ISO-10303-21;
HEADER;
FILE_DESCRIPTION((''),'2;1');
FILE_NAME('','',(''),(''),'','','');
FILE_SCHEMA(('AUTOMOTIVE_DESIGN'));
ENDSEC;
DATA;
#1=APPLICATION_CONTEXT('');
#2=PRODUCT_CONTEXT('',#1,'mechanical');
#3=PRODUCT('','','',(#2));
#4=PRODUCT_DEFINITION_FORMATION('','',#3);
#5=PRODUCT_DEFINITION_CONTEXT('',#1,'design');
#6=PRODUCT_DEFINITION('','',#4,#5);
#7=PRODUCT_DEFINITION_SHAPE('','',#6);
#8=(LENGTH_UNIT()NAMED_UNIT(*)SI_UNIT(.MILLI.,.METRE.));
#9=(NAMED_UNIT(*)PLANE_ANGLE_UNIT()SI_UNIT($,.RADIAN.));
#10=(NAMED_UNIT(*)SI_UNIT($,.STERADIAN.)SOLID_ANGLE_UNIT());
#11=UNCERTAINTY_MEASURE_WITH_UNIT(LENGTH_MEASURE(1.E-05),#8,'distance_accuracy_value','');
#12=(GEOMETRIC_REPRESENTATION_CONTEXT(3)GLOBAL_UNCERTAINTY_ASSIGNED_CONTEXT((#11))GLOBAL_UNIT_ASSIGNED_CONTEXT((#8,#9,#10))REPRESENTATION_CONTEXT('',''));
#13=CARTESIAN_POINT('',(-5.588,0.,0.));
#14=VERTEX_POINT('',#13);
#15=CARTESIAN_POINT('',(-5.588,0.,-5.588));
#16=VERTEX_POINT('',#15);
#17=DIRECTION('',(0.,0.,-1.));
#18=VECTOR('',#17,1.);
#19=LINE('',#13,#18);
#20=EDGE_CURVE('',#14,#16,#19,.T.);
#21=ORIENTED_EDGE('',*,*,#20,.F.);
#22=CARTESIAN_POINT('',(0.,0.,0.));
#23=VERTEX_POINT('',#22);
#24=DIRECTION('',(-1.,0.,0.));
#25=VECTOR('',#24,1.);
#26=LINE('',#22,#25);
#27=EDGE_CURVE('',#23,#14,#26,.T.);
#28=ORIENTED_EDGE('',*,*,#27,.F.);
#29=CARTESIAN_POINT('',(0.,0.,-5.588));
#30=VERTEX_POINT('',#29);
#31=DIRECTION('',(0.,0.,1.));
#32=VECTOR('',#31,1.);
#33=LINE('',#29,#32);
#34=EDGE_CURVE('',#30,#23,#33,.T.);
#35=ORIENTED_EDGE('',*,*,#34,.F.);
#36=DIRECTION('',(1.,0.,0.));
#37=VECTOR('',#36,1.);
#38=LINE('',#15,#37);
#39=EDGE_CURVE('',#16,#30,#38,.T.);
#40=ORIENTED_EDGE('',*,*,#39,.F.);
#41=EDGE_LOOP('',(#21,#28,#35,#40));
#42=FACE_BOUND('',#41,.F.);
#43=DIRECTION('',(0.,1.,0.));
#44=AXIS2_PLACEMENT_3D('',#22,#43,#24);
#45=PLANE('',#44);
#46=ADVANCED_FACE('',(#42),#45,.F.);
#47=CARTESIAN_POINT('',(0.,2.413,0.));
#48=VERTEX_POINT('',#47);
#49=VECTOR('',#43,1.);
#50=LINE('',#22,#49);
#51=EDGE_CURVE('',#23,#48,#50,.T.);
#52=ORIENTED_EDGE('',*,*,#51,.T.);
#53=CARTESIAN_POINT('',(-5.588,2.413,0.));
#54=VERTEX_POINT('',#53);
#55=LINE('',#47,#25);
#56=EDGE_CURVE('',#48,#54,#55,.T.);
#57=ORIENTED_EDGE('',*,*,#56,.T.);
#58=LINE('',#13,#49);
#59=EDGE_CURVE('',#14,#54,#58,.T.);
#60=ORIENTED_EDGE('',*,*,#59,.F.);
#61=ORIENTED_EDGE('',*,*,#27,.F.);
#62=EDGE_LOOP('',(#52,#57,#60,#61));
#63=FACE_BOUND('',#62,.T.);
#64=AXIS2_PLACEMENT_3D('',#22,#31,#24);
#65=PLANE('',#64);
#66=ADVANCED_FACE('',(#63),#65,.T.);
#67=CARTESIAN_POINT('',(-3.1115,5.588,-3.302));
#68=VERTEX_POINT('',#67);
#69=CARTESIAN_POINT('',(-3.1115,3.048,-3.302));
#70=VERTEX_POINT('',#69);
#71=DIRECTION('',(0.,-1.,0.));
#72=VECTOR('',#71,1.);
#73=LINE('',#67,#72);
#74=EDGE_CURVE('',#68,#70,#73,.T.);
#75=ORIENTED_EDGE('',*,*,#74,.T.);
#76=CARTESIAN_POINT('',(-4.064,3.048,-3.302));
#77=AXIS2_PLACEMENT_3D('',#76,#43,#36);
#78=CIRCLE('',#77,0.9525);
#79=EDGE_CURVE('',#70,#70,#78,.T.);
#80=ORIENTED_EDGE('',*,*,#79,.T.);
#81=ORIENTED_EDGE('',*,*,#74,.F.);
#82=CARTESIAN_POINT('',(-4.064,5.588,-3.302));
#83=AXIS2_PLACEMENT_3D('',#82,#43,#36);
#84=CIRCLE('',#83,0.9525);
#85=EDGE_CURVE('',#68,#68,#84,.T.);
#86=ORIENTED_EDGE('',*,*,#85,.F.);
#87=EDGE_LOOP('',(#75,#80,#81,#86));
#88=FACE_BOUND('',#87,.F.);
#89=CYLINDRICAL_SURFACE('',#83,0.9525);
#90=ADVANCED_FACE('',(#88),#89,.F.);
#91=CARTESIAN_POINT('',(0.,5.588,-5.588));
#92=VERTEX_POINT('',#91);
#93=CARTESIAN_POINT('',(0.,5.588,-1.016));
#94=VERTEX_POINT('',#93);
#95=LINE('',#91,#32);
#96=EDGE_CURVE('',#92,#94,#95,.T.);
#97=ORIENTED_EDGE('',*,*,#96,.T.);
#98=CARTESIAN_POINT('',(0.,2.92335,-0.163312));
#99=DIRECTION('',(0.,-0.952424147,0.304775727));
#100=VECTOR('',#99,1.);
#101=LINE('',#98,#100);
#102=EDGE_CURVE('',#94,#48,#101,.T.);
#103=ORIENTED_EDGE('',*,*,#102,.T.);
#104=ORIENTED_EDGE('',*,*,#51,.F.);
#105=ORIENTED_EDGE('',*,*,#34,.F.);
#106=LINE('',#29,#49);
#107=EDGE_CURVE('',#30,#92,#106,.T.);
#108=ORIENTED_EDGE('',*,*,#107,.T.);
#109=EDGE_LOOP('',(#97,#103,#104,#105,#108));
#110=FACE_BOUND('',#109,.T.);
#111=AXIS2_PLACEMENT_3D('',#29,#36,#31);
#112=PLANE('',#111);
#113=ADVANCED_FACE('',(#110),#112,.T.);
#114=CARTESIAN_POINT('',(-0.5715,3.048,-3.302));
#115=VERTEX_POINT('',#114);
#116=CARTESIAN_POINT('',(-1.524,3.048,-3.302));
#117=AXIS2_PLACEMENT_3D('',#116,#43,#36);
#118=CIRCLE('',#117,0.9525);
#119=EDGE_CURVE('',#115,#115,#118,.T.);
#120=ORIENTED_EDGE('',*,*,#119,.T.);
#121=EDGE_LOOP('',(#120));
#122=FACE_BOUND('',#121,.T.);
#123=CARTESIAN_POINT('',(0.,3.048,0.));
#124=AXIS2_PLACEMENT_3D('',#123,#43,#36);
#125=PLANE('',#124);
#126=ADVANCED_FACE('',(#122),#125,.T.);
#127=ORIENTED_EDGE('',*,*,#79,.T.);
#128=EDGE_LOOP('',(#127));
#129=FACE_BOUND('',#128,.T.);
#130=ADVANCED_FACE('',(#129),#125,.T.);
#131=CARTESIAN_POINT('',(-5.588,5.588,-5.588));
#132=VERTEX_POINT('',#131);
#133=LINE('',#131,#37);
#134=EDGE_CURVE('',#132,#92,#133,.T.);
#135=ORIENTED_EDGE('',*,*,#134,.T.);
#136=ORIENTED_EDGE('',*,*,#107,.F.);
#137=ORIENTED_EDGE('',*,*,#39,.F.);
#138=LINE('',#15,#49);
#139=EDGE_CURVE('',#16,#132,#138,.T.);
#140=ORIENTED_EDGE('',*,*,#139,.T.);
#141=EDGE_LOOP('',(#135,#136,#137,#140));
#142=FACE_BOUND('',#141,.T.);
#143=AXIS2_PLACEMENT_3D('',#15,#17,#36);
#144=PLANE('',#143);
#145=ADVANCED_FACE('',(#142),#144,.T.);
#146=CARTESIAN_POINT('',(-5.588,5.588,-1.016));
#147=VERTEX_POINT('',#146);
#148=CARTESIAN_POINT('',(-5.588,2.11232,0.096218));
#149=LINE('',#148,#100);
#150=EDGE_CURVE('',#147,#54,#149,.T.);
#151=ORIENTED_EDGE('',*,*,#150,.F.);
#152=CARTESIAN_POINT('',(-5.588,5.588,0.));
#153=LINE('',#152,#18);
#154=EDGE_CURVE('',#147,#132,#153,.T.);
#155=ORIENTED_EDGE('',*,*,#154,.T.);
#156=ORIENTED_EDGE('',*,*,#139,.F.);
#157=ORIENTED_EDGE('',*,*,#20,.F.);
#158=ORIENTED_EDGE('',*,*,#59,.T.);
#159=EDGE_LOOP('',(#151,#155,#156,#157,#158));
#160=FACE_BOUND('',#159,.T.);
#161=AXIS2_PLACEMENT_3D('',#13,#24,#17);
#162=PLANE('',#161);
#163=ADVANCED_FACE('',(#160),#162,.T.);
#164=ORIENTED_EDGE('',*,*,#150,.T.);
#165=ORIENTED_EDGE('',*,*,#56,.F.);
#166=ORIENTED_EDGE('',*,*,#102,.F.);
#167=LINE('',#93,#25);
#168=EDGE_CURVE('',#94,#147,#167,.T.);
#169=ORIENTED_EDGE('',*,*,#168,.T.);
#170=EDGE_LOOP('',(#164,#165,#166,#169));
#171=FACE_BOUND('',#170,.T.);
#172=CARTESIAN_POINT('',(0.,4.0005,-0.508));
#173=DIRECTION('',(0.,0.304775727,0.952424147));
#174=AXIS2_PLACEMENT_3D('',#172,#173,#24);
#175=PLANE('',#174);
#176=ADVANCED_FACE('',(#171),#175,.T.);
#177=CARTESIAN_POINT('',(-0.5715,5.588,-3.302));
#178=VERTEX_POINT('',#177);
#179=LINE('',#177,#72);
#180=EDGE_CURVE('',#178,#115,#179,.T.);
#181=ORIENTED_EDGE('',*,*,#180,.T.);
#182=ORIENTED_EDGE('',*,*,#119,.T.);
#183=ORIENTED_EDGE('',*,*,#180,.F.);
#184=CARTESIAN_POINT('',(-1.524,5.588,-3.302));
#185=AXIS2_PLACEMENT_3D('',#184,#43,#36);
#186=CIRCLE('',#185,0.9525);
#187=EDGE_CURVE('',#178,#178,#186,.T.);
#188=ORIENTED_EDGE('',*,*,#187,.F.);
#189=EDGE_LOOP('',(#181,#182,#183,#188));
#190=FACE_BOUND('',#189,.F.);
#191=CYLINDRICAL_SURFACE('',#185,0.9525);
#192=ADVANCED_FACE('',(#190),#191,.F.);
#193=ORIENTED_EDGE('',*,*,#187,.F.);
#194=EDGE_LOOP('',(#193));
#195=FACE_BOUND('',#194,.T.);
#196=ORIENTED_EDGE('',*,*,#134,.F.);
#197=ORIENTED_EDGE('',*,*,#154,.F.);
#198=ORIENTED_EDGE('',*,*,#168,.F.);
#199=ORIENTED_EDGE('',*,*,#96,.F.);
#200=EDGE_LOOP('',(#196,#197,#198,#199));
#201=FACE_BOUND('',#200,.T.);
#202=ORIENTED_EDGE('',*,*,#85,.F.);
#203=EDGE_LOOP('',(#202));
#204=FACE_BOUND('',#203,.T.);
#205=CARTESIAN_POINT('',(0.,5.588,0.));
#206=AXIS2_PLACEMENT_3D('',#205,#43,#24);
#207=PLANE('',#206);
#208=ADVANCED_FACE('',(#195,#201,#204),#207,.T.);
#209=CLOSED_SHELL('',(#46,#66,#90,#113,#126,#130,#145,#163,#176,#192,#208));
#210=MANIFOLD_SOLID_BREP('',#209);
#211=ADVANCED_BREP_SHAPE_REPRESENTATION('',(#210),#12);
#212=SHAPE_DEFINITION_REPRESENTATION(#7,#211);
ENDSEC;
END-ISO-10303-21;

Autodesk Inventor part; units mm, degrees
ref_plane "YZ Plane" through (0, 0, 0) normal (1, 0, 0) x (0, 1, 0)
ref_plane "XZ Plane" through (0, 0, 0) normal (0, 1, 0) x (-1, 0, 0)
ref_plane "XY Plane" through (0, 0, 0) normal (0, 0, 1) x (1, 0, 0)
sketch "Sketch1" plane through (0, 0, 0) normal (0, 1, 0) x (-1, 0, 0)
  line L0 (0, 0) -> (5.588, 0)
  line L1 (5.588, 0) -> (5.588, -5.588)
  line L2 (5.588, -5.588) -> (0, -5.588)
  line L3 (0, -5.588) -> (0, 0)
  dimension "d0" = 5.588
  dimension "d1" = 5.588
extrude "Extrusion1" add sketch "Sketch1" along normal blind 5.588
chamfer "Chamfer1" distance 1.016 distance2 3.175 1 edges at (-2.794, 5.588, 0) measured on face at (-1.8627, 5.588, -1.8627)
sketch "Sketch2" plane through (0, 5.588, 0) normal (0, 1, 0) x (1, 0, 0)
  line L0 (0, 1.016) -> (-5.588, 1.016) projected
  line L1 (0, 1.016) -> (0, 5.588) projected
  line L2 (0, 5.588) -> (-5.588, 5.588) projected
  line L3 (-5.588, 5.588) -> (-5.588, 1.016) projected
  circle A0 centre (-4.064, 3.302) radius 0.9525
  circle A1 centre (-1.524, 3.302) radius 0.9525
  point P0 (0, 0)
  dimension "d7" = 1.905
  dimension "d8" = 1.905
  dimension "d9" = 1.524
  dimension "d10" = 1.524
extrude "Extrusion2" cut sketch "Sketch2" against normal blind 2.54 contours A0 | A1
properties part number "connector"
